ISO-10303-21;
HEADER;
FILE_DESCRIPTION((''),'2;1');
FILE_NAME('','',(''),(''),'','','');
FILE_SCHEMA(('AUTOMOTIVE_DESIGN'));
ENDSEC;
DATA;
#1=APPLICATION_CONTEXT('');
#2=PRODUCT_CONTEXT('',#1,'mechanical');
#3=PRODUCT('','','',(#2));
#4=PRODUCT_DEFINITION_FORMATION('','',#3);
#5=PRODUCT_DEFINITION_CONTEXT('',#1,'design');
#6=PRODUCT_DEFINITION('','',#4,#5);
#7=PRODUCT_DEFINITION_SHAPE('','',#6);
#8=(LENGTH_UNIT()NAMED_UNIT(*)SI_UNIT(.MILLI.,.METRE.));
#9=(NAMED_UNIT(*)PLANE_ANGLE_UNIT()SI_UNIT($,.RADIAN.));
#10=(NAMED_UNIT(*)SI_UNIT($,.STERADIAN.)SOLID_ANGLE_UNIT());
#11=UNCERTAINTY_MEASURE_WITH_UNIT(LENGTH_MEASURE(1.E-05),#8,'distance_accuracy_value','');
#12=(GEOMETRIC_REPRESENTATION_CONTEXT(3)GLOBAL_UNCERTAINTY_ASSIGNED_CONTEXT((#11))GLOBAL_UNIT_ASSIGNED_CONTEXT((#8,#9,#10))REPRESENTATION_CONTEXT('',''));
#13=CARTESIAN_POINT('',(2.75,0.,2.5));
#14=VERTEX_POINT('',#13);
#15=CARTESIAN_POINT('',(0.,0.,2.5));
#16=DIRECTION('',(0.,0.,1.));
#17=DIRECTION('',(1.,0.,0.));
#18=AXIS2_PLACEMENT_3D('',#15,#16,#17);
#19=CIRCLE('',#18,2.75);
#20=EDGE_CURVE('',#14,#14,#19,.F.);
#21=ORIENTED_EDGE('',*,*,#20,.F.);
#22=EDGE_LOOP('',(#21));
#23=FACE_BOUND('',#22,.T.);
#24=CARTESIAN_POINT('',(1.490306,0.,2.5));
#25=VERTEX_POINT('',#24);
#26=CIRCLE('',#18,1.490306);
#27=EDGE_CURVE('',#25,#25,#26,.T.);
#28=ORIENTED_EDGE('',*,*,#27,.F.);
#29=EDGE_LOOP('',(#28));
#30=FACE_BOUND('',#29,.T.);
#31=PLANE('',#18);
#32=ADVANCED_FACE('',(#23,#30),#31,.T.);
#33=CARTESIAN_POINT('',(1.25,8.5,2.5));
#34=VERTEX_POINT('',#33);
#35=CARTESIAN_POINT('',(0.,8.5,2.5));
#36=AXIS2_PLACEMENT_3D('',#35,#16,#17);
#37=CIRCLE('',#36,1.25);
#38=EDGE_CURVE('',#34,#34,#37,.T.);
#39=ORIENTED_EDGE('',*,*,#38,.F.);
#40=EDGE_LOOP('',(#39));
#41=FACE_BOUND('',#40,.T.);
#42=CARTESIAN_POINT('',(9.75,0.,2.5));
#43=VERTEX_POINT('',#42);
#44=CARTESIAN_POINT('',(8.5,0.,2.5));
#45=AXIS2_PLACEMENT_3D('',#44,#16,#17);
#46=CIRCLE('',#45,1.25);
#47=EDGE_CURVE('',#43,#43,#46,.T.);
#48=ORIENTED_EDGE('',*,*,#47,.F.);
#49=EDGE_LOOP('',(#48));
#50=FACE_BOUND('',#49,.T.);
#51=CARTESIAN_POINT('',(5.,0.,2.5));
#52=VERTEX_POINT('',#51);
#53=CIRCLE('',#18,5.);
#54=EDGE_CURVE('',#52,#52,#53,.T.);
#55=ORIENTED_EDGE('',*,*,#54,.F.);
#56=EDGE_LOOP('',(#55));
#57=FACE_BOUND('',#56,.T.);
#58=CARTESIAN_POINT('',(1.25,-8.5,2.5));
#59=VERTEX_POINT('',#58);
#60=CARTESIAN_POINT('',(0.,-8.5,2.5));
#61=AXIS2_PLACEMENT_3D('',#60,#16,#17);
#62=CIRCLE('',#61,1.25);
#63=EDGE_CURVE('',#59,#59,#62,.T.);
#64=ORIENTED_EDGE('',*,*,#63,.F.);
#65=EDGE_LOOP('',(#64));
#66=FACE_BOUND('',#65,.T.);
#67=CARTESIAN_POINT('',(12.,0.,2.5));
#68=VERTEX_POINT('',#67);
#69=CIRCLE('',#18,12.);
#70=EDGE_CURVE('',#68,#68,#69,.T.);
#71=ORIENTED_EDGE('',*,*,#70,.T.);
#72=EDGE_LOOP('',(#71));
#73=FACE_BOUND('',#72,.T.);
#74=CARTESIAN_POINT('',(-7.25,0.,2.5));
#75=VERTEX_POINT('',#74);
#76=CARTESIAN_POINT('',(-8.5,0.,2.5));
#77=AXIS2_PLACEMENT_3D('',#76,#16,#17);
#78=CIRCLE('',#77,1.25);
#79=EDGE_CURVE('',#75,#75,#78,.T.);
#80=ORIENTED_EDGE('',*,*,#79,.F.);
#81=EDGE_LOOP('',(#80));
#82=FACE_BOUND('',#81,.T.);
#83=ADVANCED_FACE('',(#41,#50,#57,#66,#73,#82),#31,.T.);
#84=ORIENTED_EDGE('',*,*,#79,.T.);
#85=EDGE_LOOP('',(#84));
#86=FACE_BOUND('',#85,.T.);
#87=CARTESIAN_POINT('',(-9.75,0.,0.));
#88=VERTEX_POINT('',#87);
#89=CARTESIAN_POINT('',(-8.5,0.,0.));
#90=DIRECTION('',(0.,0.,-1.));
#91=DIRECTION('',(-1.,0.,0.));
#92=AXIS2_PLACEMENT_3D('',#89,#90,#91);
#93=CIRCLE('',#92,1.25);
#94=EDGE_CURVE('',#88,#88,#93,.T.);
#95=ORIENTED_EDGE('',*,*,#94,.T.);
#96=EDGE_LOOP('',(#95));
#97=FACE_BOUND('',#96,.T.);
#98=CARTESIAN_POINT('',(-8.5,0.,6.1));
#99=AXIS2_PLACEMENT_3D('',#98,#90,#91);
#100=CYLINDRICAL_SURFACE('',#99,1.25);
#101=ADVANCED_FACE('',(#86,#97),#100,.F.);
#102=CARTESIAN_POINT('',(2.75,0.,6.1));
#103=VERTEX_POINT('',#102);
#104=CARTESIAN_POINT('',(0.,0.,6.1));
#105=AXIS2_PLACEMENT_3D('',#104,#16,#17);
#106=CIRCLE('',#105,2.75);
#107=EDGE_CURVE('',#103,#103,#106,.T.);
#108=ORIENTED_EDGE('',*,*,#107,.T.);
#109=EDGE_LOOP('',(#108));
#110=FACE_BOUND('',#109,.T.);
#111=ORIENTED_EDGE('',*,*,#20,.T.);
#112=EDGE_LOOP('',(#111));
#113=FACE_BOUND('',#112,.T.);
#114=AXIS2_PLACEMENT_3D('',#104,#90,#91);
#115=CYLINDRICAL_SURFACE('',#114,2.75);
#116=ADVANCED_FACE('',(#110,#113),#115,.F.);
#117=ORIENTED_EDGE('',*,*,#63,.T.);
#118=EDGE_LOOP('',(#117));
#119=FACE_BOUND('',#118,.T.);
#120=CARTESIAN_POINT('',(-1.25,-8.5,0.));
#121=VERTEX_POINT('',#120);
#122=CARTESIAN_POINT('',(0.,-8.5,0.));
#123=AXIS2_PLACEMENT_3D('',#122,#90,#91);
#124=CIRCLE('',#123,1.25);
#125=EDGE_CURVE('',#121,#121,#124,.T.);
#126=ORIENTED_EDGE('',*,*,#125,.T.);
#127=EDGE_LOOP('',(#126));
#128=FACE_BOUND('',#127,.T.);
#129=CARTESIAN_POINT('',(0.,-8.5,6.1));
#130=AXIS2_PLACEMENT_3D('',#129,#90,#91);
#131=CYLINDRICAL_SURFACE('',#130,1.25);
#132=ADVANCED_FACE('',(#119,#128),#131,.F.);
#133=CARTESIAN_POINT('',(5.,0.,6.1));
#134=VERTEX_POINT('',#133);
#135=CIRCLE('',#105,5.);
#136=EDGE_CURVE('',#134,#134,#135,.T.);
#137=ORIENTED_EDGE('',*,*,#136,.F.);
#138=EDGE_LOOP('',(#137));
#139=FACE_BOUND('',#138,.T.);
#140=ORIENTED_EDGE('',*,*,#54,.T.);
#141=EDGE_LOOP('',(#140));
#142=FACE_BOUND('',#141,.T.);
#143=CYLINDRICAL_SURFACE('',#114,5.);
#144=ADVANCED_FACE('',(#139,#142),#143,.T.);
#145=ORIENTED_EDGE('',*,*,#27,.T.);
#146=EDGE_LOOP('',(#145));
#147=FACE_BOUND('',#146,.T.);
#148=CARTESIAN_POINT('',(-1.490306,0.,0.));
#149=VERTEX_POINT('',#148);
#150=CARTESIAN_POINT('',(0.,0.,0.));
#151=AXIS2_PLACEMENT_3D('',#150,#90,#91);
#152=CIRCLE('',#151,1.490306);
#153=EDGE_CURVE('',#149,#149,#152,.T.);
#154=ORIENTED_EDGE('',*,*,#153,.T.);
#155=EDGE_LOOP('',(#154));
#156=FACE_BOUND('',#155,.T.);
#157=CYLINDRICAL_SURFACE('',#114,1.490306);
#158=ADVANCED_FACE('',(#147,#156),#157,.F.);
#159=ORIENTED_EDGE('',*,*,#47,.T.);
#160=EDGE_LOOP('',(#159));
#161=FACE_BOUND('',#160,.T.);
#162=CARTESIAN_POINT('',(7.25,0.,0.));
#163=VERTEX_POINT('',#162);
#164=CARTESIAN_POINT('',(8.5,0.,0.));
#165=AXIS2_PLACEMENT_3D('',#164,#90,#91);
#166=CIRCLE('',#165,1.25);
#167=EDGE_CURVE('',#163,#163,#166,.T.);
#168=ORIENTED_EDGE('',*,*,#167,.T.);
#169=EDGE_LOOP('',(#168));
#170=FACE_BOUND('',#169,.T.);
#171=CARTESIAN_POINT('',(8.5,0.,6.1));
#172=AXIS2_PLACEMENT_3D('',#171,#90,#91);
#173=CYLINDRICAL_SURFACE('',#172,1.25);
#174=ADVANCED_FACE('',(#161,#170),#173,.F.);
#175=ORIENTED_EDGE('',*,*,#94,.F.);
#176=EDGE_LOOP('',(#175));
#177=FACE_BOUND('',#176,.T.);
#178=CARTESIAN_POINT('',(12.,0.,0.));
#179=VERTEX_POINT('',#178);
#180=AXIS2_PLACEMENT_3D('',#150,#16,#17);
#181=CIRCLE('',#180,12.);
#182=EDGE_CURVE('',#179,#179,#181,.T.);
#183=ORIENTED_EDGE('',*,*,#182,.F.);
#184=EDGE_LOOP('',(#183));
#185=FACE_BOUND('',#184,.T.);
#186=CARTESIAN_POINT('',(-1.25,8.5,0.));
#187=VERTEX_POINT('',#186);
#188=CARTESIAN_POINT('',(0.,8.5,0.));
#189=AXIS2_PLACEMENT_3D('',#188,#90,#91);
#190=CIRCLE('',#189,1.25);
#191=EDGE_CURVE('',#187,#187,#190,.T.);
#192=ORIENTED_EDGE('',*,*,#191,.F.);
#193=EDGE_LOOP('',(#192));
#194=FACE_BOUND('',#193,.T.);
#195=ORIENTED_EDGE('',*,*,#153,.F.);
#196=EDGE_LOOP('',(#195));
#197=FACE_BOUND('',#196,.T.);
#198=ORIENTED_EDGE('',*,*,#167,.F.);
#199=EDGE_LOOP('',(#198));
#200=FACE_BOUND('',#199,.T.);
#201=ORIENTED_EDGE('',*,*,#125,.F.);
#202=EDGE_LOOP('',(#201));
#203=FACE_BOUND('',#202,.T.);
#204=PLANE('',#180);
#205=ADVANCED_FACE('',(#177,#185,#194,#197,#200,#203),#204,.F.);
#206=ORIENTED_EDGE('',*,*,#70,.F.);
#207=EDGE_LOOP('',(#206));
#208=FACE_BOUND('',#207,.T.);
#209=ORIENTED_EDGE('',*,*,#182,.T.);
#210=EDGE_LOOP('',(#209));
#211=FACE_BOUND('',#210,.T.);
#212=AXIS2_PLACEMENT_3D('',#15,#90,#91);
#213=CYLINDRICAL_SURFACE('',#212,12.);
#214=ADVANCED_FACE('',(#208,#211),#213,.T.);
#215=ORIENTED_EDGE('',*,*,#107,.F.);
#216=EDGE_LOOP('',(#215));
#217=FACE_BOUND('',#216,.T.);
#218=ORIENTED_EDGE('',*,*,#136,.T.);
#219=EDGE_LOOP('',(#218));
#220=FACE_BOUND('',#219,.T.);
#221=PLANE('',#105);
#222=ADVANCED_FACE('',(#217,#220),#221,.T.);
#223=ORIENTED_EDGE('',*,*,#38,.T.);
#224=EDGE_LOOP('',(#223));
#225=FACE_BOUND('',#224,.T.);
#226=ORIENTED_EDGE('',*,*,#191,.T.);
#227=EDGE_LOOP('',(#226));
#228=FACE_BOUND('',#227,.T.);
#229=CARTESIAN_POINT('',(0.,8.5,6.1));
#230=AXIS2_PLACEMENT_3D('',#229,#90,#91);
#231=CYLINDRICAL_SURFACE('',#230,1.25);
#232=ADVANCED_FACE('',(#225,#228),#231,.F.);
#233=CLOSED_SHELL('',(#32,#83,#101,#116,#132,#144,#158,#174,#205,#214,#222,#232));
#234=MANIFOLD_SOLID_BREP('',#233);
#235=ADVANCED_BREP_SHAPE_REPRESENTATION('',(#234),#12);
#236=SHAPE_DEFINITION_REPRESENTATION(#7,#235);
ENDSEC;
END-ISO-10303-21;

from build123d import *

# Parameters (mm, degrees)
ESQUISSE1_R             = 12
BOSS_EXTRU_1_DEPTH      = 2.5
ESQUISSE2_R             = 5
ESQUISSE2_R_2           = 2.75
BOSS_EXTRU_2_DEPTH      = 3.6
ESQUISSE3_R             = 1.490305946
ESQUISSE3_R_2           = 1.25
ENL_V_MAT_EXTRU_1_DEPTH = 19.033579789


with BuildPart() as part:
    # Esquisse1 → Boss.-Extru.1 (new body)
    with BuildSketch(Plane.XY):
        Circle(ESQUISSE1_R)
    extrude(amount=BOSS_EXTRU_1_DEPTH)

    # Esquisse2 → Boss.-Extru.2 (add)
    with BuildSketch(Plane.XY.offset(2.5)):
        Circle(ESQUISSE2_R)
        Circle(ESQUISSE2_R_2, mode=Mode.SUBTRACT)
    extrude(amount=BOSS_EXTRU_2_DEPTH)

    # Esquisse3 → Enlèv. mat.-Extru.1 (cut, through all)
    with BuildSketch(Plane(origin=(0, 0, 0), x_dir=(-1, 0, 0), z_dir=(0, 0, -1))):
        Circle(ESQUISSE3_R)
        with Locations((0, 8.5)):
            Circle(ESQUISSE3_R_2)
        with Locations((8.5, 0)):
            Circle(ESQUISSE3_R_2)
        with Locations((0, -8.5)):
            Circle(ESQUISSE3_R_2)
        with Locations((-8.5, 0)):
            Circle(ESQUISSE3_R_2)
    extrude(amount=-ENL_V_MAT_EXTRU_1_DEPTH, mode=Mode.SUBTRACT)


solid = part.part
